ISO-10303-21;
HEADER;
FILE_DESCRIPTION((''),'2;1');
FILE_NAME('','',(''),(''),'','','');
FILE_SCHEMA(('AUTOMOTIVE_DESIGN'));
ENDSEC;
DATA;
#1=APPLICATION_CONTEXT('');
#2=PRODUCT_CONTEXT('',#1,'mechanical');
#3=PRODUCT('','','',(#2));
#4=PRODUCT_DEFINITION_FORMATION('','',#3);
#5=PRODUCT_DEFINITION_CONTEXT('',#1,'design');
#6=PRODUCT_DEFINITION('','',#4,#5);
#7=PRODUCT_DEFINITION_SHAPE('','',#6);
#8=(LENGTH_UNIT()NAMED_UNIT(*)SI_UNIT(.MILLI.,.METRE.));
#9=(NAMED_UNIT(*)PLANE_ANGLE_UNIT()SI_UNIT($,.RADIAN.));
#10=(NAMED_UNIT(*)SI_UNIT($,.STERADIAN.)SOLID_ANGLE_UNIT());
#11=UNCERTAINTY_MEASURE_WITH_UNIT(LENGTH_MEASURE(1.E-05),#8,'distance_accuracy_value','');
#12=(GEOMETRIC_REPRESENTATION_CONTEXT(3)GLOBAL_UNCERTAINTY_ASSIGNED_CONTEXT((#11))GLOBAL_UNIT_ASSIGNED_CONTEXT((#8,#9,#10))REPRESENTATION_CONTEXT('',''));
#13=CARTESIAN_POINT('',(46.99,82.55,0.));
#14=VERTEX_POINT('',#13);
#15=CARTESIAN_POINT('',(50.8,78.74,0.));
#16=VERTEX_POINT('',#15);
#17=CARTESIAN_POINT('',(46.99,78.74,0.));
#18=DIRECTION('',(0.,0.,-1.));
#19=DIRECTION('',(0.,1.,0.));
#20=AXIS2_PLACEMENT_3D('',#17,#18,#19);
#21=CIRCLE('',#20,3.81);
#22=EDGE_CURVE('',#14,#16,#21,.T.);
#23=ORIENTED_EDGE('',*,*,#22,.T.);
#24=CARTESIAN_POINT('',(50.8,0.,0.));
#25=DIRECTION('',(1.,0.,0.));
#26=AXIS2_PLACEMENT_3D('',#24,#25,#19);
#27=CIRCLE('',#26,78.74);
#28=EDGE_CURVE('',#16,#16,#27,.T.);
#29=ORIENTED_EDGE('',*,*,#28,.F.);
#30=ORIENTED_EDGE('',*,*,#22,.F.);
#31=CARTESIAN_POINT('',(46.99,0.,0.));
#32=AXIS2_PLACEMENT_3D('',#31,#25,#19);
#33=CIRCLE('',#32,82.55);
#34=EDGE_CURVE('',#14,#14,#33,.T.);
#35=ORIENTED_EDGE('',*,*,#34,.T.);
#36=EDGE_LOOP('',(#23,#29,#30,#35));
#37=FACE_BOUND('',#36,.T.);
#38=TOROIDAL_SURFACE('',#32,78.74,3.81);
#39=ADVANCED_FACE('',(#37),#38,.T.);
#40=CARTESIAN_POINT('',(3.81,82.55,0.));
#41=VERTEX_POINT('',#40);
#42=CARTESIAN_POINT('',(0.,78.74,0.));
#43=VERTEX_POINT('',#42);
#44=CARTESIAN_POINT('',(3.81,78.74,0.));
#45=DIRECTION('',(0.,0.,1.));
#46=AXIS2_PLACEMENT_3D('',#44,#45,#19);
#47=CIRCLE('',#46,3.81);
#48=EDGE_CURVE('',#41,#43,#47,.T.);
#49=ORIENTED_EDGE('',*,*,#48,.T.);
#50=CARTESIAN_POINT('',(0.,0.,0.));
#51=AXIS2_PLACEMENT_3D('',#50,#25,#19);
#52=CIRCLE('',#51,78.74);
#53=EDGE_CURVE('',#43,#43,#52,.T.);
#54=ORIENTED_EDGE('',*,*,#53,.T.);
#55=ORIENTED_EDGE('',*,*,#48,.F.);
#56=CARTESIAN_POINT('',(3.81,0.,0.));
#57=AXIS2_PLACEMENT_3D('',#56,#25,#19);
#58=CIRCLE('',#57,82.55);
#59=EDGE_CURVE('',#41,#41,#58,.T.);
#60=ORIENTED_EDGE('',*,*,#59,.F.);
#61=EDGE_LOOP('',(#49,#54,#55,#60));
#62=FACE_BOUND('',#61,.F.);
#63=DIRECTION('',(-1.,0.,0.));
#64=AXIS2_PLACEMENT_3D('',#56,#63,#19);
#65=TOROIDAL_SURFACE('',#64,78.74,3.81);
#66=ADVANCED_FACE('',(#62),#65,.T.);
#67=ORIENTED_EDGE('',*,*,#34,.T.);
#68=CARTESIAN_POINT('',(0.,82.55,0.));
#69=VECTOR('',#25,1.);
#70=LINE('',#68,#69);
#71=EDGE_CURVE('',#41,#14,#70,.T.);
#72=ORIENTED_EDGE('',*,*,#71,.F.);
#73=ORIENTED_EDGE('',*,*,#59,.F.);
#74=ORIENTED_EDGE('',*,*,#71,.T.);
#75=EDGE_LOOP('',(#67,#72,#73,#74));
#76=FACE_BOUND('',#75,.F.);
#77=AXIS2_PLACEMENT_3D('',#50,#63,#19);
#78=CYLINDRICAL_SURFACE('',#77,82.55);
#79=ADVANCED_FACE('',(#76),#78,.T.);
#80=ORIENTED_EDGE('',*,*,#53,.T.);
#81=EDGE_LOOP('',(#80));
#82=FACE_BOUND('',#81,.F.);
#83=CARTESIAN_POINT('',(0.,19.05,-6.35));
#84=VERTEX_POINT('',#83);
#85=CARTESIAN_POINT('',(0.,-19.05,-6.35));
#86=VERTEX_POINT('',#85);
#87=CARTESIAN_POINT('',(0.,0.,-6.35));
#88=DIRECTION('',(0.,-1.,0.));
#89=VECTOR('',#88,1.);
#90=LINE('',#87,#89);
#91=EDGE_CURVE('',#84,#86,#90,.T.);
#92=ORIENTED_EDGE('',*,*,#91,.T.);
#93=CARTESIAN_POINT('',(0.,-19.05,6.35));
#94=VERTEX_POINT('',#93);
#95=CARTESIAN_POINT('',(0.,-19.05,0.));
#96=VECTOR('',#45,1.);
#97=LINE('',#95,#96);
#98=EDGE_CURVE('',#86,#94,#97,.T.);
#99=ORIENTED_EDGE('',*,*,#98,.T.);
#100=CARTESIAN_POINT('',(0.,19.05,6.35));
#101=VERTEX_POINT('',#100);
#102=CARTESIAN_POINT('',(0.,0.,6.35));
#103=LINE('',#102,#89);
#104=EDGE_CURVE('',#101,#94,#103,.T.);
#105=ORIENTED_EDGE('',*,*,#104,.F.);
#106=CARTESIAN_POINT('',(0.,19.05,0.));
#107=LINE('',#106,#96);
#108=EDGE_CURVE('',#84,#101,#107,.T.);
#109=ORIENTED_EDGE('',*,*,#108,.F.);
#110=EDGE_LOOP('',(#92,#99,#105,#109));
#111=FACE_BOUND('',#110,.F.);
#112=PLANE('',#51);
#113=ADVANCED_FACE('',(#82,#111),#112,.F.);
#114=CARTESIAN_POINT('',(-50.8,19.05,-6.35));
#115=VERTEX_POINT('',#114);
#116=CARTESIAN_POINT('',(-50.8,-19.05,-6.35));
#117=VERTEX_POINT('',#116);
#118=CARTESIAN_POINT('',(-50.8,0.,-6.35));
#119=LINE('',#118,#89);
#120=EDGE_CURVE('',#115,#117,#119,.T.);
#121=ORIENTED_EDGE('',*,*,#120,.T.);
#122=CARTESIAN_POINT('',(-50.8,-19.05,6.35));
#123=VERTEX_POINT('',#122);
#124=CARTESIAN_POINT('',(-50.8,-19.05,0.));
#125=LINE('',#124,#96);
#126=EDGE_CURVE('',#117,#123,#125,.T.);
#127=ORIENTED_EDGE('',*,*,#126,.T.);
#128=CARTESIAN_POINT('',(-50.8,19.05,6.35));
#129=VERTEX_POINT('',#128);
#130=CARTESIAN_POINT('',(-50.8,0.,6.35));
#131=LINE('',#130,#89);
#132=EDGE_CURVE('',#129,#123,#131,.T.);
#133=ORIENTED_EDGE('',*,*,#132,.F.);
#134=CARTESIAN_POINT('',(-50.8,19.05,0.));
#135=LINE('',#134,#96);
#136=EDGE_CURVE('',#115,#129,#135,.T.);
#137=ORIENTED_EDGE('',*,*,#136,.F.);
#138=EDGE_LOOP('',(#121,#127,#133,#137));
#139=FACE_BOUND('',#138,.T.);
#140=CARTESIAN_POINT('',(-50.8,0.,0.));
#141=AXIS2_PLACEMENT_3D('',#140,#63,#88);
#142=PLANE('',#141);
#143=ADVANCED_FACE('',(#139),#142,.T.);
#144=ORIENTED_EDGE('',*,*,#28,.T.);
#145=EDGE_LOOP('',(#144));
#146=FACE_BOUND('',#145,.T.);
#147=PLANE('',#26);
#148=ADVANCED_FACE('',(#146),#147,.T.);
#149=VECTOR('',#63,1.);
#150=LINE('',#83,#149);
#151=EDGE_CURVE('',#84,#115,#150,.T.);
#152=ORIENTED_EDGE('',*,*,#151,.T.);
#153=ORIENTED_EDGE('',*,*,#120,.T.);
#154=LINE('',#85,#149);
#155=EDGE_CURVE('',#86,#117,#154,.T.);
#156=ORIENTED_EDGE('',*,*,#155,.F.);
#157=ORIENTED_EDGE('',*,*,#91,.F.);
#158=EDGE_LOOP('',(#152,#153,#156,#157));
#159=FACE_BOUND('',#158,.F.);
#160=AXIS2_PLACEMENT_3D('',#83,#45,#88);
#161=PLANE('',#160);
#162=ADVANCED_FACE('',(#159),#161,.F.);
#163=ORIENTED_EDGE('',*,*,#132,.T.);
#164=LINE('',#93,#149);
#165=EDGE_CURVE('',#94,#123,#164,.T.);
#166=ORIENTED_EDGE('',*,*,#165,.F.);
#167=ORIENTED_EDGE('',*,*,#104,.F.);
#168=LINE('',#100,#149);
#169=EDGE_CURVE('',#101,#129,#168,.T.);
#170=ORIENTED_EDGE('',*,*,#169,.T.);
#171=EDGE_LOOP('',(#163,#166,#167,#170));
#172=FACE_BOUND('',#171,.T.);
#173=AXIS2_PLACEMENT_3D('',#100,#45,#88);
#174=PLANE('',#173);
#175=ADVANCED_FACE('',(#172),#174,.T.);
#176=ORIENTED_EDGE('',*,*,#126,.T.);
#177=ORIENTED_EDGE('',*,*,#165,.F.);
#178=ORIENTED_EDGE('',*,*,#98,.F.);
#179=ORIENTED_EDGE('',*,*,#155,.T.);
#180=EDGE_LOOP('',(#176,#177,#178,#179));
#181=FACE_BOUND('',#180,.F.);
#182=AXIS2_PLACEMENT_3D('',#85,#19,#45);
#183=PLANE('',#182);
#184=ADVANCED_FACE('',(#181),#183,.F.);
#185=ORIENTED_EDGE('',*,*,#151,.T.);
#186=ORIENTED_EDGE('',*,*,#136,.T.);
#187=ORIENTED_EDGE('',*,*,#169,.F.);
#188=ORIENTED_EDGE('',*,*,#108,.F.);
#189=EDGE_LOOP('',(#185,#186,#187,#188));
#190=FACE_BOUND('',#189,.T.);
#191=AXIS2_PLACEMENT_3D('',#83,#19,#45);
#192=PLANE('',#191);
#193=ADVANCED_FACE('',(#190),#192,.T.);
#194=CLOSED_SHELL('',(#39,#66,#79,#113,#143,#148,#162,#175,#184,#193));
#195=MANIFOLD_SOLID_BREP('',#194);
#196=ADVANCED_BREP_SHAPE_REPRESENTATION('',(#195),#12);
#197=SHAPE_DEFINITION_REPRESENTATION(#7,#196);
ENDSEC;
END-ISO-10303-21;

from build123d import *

# Parameters (mm, degrees)
F0_R     = 82.55
F1_DEPTH = 50.8
F2_R     = 3.81
F3_W     = 38.1
F3_H     = 12.7
F4_DEPTH = 50.8


with BuildPart() as f1:
    # F0 (on Right) → F1 (new body)
    with BuildSketch(Plane.YZ):
        Circle(F0_R)
    extrude(amount=F1_DEPTH)

    # F2
    f2_edges = [f1.edges().sort_by_distance(p)[0] for p in [
        (50.8, -82.55, 0),
        (0, -82.55, 0),
    ]]
    fillet(f2_edges, radius=F2_R)

    # F3 (on face) → F4 (join)
    with BuildSketch(Plane(origin=(0, 0, 0), x_dir=(0, -1, 0), z_dir=(-1, 0, 0))):
        Rectangle(F3_W, F3_H)
    extrude(amount=F4_DEPTH)


solid = f1.part
